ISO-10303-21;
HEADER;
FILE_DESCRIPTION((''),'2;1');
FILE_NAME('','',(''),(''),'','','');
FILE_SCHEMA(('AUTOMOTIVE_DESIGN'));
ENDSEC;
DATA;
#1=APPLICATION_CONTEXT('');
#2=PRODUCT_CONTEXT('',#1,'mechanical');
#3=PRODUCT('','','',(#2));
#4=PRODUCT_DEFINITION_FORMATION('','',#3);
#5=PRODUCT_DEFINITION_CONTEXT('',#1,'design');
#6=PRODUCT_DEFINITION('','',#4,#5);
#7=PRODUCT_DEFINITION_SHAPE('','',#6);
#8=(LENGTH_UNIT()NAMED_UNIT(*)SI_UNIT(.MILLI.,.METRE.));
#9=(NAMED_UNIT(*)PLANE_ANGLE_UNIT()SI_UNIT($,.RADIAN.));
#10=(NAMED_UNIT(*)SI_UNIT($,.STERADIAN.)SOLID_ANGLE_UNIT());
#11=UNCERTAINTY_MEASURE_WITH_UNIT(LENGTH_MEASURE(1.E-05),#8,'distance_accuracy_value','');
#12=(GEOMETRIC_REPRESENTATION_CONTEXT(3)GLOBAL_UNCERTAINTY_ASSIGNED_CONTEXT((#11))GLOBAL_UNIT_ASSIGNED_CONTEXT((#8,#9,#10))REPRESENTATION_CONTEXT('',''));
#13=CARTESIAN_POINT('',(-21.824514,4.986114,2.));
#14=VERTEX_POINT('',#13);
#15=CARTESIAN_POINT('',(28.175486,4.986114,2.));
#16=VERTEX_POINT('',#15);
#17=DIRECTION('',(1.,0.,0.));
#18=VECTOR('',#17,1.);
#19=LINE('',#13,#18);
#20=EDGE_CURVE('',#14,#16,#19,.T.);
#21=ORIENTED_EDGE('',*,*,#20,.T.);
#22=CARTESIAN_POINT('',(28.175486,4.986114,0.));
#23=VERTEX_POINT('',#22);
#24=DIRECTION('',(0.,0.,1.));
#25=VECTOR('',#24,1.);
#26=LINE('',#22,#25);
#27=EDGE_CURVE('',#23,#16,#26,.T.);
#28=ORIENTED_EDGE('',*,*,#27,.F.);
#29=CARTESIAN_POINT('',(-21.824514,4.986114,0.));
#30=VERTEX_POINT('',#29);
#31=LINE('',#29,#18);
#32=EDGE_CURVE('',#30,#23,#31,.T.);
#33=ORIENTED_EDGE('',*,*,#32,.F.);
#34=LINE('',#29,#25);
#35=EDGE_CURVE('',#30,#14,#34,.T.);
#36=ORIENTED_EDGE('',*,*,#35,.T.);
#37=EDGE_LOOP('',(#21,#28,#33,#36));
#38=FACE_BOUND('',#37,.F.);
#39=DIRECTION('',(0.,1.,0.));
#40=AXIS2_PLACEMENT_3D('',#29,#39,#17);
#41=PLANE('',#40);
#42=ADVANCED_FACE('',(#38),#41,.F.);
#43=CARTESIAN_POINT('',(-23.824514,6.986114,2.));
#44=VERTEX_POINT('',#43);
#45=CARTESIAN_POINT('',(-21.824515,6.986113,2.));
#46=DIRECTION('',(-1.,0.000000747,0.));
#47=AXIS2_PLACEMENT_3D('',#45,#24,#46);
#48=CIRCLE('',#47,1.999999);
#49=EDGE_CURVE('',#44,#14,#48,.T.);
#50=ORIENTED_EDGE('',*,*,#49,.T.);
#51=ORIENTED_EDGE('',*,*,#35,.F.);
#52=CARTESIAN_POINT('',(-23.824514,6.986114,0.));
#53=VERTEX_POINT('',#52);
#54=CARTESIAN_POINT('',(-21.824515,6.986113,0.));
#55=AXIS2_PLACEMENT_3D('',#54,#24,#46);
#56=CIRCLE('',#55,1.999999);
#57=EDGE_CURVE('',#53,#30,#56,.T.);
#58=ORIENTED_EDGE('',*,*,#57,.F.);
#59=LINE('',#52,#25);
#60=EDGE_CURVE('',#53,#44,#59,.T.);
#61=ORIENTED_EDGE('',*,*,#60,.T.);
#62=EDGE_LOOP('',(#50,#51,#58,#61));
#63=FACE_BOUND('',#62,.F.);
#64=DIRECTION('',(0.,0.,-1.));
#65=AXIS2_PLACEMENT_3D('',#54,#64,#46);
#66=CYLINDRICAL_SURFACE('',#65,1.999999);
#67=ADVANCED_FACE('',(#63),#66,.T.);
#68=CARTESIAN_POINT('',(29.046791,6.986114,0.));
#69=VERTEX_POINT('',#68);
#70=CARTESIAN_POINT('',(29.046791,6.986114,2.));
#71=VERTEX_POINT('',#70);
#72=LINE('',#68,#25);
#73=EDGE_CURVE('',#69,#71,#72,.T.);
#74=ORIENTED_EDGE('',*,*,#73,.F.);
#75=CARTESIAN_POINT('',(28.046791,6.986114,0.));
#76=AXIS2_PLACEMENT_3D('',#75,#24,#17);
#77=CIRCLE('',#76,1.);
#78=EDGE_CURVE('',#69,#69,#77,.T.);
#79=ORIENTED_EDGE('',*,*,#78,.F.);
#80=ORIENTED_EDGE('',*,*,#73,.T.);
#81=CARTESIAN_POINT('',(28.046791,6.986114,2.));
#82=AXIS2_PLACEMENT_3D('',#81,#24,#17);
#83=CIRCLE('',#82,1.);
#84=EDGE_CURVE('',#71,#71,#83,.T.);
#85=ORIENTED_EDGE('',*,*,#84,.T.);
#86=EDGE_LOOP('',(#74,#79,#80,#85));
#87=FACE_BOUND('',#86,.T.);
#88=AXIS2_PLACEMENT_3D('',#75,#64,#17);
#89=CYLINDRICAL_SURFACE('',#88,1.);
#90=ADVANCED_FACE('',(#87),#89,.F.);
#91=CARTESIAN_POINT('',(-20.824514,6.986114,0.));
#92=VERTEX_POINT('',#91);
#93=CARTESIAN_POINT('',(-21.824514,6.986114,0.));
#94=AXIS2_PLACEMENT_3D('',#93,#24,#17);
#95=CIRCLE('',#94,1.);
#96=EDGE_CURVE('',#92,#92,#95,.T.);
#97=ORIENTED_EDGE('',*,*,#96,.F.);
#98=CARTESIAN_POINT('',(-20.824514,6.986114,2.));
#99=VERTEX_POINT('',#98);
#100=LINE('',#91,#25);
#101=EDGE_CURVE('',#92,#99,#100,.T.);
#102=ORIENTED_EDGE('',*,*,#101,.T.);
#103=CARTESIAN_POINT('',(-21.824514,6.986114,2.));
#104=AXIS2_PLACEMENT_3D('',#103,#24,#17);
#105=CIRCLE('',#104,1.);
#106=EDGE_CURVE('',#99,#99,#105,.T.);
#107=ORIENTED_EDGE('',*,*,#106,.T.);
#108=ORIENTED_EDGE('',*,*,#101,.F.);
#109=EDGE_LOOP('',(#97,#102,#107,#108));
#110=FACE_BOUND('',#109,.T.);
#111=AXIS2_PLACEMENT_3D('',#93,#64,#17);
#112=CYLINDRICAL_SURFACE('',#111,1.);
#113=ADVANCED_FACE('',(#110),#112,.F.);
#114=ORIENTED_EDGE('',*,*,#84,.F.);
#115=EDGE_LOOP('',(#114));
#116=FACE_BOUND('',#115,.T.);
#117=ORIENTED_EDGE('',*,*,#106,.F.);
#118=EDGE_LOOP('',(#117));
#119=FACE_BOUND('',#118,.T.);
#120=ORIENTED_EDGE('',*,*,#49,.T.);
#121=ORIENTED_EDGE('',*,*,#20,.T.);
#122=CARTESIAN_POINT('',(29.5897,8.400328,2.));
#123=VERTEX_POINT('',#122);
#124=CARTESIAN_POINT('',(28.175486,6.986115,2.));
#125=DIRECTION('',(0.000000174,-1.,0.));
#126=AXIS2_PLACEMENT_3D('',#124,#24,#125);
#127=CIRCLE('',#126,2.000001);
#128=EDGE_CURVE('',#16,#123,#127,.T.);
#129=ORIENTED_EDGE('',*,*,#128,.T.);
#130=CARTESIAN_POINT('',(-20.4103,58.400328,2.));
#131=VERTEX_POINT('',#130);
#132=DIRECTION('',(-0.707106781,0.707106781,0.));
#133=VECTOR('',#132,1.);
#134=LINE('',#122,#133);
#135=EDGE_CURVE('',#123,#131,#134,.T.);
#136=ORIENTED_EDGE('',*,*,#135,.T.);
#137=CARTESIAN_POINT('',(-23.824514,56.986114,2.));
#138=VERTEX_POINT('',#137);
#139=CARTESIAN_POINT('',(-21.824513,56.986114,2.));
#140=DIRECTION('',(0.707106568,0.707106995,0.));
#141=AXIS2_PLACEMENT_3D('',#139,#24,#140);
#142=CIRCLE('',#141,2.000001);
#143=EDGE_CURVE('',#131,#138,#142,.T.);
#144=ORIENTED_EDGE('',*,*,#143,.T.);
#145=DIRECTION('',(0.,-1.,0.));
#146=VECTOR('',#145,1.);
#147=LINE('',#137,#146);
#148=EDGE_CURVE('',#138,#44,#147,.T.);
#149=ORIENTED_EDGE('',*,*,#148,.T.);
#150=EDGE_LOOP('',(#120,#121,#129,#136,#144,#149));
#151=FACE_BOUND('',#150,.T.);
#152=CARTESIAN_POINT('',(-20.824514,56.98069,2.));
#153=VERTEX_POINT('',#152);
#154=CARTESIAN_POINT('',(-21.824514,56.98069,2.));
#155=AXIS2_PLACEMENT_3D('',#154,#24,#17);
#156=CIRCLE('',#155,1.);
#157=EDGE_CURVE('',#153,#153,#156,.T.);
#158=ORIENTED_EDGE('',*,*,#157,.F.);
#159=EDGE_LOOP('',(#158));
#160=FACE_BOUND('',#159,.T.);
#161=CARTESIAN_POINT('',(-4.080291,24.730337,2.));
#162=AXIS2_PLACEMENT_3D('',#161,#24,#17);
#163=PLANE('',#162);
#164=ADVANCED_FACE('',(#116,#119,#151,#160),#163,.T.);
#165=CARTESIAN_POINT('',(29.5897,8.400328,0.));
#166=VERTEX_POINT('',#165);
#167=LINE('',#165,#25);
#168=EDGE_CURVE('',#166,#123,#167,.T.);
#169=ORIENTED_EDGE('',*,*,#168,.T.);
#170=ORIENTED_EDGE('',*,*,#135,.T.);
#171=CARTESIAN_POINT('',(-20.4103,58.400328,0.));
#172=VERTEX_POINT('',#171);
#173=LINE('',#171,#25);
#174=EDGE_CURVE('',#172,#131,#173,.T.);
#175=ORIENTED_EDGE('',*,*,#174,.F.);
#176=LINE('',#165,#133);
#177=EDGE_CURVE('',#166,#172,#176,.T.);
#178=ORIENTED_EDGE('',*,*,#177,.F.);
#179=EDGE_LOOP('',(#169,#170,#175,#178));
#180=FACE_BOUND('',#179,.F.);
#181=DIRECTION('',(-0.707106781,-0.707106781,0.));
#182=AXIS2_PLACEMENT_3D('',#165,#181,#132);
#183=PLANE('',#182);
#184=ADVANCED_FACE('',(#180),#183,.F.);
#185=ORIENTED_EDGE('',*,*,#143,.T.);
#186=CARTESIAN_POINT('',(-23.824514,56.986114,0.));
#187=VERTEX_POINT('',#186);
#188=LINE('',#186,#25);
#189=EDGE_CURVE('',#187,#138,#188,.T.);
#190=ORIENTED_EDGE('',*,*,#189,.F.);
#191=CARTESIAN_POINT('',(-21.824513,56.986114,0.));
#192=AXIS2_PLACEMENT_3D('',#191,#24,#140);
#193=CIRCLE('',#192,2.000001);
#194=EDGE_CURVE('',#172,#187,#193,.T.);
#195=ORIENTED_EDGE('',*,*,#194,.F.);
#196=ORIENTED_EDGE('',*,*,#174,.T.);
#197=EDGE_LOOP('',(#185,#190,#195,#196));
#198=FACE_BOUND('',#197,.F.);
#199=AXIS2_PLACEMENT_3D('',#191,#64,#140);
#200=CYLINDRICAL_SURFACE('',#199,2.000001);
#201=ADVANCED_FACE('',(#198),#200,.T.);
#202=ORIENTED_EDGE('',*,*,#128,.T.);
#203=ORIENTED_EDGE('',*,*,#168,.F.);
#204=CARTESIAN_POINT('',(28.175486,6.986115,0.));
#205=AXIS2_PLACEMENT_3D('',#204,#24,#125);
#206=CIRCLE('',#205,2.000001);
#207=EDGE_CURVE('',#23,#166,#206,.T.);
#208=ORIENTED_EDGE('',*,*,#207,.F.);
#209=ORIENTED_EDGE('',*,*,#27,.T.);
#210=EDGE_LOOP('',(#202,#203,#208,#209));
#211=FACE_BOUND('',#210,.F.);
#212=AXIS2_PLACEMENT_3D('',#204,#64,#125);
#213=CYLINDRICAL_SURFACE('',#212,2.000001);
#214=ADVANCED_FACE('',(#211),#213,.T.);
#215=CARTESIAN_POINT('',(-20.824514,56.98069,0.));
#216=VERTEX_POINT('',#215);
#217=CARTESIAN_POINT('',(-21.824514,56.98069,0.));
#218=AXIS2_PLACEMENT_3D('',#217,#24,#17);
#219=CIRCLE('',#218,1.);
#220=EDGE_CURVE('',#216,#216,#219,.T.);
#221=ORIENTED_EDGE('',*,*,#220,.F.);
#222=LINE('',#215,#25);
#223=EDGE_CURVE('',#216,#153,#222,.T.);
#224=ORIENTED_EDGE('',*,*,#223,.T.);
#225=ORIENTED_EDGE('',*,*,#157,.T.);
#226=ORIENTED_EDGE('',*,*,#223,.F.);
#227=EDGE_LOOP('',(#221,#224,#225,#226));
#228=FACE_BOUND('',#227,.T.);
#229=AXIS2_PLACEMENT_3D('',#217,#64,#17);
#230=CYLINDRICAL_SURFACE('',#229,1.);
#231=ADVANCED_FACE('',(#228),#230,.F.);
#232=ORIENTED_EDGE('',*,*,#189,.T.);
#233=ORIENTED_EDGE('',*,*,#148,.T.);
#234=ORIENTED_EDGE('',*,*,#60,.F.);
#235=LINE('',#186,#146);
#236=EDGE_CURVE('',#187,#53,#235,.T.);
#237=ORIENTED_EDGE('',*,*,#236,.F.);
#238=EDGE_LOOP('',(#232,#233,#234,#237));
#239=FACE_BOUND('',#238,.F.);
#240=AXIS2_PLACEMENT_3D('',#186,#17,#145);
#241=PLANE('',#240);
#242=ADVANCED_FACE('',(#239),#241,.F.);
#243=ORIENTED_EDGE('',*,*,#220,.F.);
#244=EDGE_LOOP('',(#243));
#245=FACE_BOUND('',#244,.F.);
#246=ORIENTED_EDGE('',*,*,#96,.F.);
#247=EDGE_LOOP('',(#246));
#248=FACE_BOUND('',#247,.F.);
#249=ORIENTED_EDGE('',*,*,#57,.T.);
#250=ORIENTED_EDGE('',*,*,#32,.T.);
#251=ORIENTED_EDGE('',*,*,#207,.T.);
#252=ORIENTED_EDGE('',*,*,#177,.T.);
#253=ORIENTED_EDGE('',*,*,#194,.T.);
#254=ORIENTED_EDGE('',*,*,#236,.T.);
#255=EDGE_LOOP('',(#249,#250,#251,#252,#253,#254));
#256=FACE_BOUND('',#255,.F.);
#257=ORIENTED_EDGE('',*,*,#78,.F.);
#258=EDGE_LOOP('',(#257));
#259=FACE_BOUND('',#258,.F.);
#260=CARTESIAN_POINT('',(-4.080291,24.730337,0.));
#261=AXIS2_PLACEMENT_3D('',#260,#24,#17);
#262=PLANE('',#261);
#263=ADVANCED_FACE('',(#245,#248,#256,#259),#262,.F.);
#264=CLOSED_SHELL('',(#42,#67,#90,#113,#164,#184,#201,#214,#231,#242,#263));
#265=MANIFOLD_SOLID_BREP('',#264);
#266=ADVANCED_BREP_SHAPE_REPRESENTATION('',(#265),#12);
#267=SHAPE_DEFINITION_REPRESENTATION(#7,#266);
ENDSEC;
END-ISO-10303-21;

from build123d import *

# Parameters (mm, degrees)
SKETCH_R  = 1
PAD_DEPTH = 2


with BuildPart() as part:
    # Sketch → Pad (new body)
    with BuildSketch(Plane.XY):
        with BuildLine():
            Line((-23.824514, 56.986114), (-23.824514, 6.986114))
            ThreePointArc((-23.824514, 6.986114), (-23.238728, 5.5719), (-21.824514, 4.986114))
            Line((-21.824514, 4.986114), (28.175486, 4.986114))
            ThreePointArc((28.175486, 4.986114), (30.023245, 6.220747), (29.5897, 8.400328))
            Line((29.5897, 8.400328), (-20.4103, 58.400328))
            ThreePointArc((-20.4103, 58.400328), (-22.589881, 58.833873), (-23.824514, 56.986114))
        make_face()
        with Locations((-21.824514, 56.98069)):
            Circle(SKETCH_R, mode=Mode.SUBTRACT)
        with Locations((-21.824514, 6.986114)):
            Circle(SKETCH_R, mode=Mode.SUBTRACT)
        with Locations((28.046791, 6.986114)):
            Circle(SKETCH_R, mode=Mode.SUBTRACT)
    extrude(amount=PAD_DEPTH)


solid = part.part
